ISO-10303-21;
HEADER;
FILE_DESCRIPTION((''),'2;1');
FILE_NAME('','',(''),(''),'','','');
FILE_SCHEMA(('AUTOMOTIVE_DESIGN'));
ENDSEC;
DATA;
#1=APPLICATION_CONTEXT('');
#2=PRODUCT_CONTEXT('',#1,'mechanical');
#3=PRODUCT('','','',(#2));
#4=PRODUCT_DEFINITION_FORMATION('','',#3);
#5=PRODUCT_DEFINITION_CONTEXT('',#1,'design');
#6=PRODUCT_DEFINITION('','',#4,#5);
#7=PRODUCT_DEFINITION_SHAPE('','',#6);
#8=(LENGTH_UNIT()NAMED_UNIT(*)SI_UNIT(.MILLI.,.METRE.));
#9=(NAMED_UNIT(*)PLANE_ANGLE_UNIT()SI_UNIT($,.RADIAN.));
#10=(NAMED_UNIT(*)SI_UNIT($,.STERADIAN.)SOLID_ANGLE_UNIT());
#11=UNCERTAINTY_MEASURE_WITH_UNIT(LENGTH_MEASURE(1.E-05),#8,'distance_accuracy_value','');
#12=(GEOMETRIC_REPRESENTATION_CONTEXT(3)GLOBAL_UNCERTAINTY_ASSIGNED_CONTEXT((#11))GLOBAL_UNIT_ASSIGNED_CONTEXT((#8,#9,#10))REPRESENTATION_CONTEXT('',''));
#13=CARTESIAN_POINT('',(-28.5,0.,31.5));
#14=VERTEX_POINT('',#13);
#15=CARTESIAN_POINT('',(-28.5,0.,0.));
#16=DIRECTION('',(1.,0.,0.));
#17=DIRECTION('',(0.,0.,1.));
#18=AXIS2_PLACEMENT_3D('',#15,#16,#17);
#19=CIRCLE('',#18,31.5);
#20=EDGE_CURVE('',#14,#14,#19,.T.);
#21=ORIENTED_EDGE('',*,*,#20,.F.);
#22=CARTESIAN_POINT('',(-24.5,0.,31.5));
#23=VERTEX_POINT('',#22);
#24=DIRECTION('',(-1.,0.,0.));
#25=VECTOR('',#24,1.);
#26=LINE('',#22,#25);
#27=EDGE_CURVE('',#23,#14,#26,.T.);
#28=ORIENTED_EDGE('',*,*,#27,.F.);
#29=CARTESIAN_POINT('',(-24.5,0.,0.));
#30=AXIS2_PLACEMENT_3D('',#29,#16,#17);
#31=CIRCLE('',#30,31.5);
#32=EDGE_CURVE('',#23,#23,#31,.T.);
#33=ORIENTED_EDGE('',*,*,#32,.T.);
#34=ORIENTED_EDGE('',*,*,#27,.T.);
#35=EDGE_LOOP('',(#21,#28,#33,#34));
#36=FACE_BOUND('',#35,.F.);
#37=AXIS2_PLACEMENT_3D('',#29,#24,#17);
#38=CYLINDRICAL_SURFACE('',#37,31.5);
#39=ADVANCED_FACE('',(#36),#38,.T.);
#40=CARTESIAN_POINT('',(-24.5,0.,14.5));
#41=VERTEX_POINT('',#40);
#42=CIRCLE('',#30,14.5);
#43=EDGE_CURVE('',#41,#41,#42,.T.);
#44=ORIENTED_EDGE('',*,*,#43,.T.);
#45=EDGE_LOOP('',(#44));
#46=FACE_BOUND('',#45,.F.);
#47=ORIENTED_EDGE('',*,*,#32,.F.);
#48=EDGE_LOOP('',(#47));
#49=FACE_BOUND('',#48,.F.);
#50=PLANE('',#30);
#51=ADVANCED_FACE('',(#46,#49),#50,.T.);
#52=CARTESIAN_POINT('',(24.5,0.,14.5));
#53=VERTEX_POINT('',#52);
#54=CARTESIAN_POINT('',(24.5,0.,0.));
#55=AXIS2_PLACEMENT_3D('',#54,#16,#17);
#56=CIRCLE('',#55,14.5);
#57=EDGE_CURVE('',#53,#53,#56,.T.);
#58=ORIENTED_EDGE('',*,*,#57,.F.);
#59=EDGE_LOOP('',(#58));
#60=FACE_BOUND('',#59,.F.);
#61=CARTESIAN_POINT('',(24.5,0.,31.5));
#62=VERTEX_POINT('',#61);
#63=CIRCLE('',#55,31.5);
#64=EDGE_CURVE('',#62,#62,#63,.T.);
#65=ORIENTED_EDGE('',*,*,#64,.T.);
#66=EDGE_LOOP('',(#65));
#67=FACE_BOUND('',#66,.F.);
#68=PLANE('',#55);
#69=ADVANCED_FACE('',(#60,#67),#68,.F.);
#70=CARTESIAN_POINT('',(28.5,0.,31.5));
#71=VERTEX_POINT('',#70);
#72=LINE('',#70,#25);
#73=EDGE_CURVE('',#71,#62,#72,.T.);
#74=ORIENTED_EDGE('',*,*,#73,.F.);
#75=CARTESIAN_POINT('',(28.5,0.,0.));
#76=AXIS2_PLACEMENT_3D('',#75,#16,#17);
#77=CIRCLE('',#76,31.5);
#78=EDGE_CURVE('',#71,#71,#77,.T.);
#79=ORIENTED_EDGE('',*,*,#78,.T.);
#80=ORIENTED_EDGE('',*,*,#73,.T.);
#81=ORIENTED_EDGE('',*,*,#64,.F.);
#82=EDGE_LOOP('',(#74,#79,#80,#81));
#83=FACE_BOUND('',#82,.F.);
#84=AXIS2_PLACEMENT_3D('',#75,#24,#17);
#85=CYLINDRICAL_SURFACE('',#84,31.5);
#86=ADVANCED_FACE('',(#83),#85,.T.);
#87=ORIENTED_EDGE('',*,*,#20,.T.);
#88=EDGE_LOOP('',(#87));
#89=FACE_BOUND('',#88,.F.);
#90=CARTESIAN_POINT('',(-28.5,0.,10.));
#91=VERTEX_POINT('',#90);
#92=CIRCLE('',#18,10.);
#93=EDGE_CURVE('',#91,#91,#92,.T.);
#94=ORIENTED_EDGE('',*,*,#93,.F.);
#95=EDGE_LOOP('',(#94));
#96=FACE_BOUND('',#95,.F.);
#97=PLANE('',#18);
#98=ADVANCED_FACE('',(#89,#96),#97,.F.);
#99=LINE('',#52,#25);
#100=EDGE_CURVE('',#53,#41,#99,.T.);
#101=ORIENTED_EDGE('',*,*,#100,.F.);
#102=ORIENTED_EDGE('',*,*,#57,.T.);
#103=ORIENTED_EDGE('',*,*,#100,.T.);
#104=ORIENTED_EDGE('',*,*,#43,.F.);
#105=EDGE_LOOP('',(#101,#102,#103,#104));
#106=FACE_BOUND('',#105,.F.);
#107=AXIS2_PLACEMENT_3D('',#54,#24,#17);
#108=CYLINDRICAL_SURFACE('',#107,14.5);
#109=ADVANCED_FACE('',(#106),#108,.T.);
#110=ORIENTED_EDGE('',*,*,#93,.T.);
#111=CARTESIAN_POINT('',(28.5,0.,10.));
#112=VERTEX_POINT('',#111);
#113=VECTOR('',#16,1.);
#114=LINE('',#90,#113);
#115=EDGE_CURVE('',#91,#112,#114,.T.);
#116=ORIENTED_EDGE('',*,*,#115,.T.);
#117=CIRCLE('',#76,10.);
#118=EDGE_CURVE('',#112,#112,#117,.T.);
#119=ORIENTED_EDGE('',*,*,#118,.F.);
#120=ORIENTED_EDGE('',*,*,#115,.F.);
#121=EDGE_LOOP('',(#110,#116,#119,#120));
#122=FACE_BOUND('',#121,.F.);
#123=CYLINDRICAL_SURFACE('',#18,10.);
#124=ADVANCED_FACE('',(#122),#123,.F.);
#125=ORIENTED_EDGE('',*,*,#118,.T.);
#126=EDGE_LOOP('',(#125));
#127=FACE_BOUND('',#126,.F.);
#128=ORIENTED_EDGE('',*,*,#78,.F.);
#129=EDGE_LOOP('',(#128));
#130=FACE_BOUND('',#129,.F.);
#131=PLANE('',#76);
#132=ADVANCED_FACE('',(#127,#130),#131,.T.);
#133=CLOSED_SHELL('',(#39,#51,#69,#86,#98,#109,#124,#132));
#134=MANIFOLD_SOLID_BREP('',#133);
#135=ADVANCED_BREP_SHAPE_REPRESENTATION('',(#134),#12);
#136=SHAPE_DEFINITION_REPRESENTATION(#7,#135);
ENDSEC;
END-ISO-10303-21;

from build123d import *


with BuildPart() as f1:
    # F0 (on Front) → F1 (revolve)
    with BuildSketch(Plane.XZ):
        Polygon((-28.5, 10), (0, 10), (0, 14.5), (-24.5, 14.5), (-24.5, 31.5), (-28.5, 31.5), align=None)
        Polygon((0, 14.5), (0, 10), (28.5, 10), (28.5, 31.5), (24.5, 31.5), (24.5, 14.5), align=None)
    revolve(axis=Axis((1.835985, 0, 0), (1, 0, 0)))


solid = f1.part
